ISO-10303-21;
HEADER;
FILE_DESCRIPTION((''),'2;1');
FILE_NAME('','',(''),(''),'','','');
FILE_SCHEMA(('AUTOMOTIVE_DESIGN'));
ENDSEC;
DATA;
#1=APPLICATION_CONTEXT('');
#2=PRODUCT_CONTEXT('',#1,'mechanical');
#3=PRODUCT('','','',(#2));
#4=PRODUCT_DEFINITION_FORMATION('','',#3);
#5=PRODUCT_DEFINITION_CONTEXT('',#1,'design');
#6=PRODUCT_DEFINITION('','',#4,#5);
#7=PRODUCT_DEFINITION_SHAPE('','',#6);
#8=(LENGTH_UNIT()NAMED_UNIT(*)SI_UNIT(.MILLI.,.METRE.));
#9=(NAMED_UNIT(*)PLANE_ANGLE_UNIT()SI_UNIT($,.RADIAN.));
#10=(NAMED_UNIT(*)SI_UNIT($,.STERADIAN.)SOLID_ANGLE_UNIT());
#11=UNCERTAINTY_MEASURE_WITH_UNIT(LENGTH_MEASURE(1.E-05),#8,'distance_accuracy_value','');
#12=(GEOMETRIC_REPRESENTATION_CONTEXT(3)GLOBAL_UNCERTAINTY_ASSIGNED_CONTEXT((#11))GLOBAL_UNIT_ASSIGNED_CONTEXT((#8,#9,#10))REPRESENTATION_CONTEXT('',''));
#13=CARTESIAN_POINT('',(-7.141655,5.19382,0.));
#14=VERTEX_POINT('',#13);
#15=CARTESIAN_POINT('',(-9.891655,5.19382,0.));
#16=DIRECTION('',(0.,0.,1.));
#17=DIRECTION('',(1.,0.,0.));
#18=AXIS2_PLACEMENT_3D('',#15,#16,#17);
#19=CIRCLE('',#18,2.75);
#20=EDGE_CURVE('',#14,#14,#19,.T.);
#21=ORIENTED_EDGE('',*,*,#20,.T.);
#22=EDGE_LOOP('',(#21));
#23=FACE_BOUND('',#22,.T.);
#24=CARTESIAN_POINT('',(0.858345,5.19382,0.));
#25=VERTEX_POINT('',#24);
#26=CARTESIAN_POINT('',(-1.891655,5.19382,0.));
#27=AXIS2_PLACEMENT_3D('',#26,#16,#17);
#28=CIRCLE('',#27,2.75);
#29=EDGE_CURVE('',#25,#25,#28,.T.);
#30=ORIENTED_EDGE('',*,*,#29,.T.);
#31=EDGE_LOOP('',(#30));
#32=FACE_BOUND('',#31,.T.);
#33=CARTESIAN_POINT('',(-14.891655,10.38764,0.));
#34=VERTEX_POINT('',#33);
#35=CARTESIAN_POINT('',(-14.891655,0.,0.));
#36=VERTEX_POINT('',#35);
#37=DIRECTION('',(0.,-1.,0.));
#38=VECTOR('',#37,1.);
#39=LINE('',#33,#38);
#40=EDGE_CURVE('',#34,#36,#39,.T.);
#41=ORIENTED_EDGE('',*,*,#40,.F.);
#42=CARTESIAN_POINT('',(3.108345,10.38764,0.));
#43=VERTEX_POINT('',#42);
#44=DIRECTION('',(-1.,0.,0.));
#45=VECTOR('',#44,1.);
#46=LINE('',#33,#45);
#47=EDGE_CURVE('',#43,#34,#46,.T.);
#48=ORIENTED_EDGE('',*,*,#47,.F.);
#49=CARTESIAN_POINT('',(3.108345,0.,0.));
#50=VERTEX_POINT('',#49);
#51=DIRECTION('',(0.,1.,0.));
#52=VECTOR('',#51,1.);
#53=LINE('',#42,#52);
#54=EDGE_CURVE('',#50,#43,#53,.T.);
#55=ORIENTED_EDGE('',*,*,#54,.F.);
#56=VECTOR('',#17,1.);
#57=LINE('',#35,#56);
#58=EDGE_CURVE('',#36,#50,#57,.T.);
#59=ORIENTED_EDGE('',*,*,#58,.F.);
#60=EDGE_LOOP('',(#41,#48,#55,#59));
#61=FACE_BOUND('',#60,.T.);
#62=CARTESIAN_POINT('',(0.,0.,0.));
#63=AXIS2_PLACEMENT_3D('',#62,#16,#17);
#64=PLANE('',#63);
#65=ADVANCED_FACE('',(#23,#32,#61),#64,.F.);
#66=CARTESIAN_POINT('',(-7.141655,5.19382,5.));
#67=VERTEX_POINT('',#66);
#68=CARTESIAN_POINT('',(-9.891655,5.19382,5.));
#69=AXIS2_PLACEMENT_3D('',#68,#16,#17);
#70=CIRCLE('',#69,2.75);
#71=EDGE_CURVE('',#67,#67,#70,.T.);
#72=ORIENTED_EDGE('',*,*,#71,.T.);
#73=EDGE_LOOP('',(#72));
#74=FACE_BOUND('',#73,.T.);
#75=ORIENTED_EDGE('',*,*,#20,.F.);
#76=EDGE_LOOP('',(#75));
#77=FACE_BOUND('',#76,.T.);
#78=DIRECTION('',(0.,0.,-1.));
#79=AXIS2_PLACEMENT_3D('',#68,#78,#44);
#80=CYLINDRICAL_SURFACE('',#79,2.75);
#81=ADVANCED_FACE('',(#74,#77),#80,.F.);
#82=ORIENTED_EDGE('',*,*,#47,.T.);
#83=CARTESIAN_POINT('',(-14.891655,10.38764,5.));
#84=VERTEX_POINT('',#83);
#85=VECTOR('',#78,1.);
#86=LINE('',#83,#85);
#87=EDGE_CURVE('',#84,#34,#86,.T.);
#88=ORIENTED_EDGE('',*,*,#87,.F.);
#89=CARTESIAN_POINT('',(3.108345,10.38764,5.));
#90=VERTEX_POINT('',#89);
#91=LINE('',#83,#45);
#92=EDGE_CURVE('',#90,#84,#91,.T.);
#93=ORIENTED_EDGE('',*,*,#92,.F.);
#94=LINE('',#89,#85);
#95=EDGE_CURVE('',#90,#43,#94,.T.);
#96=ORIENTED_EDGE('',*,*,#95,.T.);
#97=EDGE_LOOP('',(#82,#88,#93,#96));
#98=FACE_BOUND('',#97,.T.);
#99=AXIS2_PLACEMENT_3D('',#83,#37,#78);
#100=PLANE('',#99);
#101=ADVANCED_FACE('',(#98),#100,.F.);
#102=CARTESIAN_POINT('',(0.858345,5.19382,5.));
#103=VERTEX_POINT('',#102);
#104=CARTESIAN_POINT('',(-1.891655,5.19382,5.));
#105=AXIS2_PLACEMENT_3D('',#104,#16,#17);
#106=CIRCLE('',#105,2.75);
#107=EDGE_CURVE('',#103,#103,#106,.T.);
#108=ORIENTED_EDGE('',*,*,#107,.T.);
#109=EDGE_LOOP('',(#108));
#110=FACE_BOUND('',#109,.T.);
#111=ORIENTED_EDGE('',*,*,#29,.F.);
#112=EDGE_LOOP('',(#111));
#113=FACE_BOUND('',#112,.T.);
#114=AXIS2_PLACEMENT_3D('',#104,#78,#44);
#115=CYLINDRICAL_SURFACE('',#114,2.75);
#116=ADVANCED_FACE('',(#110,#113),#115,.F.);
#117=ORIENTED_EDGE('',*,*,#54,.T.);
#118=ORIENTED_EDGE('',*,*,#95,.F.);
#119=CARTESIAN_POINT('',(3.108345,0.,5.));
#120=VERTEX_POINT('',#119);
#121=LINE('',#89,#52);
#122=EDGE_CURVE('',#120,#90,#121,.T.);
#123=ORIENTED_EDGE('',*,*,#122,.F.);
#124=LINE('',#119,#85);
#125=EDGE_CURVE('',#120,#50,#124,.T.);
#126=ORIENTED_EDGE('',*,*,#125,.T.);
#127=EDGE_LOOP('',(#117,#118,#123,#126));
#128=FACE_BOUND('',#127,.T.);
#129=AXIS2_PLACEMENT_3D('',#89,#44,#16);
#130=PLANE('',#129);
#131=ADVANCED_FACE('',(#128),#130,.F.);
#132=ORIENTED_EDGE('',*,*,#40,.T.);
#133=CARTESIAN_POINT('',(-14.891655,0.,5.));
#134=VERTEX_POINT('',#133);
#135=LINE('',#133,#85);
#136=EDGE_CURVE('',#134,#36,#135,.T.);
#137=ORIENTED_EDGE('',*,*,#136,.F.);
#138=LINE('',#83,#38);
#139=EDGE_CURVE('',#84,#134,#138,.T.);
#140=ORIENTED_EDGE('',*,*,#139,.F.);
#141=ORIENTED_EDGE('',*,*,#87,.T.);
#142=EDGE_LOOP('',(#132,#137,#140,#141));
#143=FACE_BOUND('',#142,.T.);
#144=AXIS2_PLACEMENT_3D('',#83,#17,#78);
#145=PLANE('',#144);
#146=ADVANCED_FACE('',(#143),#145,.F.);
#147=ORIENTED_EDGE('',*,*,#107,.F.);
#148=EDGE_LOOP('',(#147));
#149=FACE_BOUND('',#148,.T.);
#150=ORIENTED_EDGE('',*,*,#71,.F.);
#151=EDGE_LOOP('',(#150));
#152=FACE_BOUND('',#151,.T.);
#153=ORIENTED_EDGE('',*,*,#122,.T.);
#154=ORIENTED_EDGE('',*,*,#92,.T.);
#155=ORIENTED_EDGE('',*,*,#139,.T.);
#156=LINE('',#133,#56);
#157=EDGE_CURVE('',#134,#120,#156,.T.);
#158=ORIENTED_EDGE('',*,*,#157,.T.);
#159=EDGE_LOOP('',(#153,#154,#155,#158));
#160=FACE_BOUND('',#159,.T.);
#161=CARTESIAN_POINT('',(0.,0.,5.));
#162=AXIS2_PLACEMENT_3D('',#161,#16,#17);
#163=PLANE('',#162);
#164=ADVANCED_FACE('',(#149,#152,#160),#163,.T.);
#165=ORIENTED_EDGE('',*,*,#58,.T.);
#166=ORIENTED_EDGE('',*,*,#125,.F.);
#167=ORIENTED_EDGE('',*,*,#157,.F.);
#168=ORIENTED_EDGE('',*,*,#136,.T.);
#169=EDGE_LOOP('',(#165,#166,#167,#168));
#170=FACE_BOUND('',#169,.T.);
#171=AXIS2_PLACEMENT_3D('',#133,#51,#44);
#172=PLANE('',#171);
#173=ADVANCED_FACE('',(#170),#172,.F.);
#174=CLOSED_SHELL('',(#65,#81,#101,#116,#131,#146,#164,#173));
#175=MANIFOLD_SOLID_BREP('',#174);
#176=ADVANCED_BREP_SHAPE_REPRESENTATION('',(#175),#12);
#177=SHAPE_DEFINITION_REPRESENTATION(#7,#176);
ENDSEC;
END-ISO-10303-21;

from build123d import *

# Parameters (mm, degrees)
SKETCH2_W           = 18
SKETCH2_H           = 10.387639571
SKETCH2_R           = 2.75
BOSS_EXTRUDE1_DEPTH = 5


with BuildPart() as part:
    # Sketch2 → Boss-Extrude1 (new body)
    with BuildSketch(Plane.XY):
        with Locations((-5.891655166, 5.193819786)):
            Rectangle(SKETCH2_W, SKETCH2_H)
        with Locations((-9.891655166, 5.193819785)):
            Circle(SKETCH2_R, mode=Mode.SUBTRACT)
        with Locations((-1.891655166, 5.193819785)):
            Circle(SKETCH2_R, mode=Mode.SUBTRACT)
    extrude(amount=BOSS_EXTRUDE1_DEPTH)


solid = part.part
